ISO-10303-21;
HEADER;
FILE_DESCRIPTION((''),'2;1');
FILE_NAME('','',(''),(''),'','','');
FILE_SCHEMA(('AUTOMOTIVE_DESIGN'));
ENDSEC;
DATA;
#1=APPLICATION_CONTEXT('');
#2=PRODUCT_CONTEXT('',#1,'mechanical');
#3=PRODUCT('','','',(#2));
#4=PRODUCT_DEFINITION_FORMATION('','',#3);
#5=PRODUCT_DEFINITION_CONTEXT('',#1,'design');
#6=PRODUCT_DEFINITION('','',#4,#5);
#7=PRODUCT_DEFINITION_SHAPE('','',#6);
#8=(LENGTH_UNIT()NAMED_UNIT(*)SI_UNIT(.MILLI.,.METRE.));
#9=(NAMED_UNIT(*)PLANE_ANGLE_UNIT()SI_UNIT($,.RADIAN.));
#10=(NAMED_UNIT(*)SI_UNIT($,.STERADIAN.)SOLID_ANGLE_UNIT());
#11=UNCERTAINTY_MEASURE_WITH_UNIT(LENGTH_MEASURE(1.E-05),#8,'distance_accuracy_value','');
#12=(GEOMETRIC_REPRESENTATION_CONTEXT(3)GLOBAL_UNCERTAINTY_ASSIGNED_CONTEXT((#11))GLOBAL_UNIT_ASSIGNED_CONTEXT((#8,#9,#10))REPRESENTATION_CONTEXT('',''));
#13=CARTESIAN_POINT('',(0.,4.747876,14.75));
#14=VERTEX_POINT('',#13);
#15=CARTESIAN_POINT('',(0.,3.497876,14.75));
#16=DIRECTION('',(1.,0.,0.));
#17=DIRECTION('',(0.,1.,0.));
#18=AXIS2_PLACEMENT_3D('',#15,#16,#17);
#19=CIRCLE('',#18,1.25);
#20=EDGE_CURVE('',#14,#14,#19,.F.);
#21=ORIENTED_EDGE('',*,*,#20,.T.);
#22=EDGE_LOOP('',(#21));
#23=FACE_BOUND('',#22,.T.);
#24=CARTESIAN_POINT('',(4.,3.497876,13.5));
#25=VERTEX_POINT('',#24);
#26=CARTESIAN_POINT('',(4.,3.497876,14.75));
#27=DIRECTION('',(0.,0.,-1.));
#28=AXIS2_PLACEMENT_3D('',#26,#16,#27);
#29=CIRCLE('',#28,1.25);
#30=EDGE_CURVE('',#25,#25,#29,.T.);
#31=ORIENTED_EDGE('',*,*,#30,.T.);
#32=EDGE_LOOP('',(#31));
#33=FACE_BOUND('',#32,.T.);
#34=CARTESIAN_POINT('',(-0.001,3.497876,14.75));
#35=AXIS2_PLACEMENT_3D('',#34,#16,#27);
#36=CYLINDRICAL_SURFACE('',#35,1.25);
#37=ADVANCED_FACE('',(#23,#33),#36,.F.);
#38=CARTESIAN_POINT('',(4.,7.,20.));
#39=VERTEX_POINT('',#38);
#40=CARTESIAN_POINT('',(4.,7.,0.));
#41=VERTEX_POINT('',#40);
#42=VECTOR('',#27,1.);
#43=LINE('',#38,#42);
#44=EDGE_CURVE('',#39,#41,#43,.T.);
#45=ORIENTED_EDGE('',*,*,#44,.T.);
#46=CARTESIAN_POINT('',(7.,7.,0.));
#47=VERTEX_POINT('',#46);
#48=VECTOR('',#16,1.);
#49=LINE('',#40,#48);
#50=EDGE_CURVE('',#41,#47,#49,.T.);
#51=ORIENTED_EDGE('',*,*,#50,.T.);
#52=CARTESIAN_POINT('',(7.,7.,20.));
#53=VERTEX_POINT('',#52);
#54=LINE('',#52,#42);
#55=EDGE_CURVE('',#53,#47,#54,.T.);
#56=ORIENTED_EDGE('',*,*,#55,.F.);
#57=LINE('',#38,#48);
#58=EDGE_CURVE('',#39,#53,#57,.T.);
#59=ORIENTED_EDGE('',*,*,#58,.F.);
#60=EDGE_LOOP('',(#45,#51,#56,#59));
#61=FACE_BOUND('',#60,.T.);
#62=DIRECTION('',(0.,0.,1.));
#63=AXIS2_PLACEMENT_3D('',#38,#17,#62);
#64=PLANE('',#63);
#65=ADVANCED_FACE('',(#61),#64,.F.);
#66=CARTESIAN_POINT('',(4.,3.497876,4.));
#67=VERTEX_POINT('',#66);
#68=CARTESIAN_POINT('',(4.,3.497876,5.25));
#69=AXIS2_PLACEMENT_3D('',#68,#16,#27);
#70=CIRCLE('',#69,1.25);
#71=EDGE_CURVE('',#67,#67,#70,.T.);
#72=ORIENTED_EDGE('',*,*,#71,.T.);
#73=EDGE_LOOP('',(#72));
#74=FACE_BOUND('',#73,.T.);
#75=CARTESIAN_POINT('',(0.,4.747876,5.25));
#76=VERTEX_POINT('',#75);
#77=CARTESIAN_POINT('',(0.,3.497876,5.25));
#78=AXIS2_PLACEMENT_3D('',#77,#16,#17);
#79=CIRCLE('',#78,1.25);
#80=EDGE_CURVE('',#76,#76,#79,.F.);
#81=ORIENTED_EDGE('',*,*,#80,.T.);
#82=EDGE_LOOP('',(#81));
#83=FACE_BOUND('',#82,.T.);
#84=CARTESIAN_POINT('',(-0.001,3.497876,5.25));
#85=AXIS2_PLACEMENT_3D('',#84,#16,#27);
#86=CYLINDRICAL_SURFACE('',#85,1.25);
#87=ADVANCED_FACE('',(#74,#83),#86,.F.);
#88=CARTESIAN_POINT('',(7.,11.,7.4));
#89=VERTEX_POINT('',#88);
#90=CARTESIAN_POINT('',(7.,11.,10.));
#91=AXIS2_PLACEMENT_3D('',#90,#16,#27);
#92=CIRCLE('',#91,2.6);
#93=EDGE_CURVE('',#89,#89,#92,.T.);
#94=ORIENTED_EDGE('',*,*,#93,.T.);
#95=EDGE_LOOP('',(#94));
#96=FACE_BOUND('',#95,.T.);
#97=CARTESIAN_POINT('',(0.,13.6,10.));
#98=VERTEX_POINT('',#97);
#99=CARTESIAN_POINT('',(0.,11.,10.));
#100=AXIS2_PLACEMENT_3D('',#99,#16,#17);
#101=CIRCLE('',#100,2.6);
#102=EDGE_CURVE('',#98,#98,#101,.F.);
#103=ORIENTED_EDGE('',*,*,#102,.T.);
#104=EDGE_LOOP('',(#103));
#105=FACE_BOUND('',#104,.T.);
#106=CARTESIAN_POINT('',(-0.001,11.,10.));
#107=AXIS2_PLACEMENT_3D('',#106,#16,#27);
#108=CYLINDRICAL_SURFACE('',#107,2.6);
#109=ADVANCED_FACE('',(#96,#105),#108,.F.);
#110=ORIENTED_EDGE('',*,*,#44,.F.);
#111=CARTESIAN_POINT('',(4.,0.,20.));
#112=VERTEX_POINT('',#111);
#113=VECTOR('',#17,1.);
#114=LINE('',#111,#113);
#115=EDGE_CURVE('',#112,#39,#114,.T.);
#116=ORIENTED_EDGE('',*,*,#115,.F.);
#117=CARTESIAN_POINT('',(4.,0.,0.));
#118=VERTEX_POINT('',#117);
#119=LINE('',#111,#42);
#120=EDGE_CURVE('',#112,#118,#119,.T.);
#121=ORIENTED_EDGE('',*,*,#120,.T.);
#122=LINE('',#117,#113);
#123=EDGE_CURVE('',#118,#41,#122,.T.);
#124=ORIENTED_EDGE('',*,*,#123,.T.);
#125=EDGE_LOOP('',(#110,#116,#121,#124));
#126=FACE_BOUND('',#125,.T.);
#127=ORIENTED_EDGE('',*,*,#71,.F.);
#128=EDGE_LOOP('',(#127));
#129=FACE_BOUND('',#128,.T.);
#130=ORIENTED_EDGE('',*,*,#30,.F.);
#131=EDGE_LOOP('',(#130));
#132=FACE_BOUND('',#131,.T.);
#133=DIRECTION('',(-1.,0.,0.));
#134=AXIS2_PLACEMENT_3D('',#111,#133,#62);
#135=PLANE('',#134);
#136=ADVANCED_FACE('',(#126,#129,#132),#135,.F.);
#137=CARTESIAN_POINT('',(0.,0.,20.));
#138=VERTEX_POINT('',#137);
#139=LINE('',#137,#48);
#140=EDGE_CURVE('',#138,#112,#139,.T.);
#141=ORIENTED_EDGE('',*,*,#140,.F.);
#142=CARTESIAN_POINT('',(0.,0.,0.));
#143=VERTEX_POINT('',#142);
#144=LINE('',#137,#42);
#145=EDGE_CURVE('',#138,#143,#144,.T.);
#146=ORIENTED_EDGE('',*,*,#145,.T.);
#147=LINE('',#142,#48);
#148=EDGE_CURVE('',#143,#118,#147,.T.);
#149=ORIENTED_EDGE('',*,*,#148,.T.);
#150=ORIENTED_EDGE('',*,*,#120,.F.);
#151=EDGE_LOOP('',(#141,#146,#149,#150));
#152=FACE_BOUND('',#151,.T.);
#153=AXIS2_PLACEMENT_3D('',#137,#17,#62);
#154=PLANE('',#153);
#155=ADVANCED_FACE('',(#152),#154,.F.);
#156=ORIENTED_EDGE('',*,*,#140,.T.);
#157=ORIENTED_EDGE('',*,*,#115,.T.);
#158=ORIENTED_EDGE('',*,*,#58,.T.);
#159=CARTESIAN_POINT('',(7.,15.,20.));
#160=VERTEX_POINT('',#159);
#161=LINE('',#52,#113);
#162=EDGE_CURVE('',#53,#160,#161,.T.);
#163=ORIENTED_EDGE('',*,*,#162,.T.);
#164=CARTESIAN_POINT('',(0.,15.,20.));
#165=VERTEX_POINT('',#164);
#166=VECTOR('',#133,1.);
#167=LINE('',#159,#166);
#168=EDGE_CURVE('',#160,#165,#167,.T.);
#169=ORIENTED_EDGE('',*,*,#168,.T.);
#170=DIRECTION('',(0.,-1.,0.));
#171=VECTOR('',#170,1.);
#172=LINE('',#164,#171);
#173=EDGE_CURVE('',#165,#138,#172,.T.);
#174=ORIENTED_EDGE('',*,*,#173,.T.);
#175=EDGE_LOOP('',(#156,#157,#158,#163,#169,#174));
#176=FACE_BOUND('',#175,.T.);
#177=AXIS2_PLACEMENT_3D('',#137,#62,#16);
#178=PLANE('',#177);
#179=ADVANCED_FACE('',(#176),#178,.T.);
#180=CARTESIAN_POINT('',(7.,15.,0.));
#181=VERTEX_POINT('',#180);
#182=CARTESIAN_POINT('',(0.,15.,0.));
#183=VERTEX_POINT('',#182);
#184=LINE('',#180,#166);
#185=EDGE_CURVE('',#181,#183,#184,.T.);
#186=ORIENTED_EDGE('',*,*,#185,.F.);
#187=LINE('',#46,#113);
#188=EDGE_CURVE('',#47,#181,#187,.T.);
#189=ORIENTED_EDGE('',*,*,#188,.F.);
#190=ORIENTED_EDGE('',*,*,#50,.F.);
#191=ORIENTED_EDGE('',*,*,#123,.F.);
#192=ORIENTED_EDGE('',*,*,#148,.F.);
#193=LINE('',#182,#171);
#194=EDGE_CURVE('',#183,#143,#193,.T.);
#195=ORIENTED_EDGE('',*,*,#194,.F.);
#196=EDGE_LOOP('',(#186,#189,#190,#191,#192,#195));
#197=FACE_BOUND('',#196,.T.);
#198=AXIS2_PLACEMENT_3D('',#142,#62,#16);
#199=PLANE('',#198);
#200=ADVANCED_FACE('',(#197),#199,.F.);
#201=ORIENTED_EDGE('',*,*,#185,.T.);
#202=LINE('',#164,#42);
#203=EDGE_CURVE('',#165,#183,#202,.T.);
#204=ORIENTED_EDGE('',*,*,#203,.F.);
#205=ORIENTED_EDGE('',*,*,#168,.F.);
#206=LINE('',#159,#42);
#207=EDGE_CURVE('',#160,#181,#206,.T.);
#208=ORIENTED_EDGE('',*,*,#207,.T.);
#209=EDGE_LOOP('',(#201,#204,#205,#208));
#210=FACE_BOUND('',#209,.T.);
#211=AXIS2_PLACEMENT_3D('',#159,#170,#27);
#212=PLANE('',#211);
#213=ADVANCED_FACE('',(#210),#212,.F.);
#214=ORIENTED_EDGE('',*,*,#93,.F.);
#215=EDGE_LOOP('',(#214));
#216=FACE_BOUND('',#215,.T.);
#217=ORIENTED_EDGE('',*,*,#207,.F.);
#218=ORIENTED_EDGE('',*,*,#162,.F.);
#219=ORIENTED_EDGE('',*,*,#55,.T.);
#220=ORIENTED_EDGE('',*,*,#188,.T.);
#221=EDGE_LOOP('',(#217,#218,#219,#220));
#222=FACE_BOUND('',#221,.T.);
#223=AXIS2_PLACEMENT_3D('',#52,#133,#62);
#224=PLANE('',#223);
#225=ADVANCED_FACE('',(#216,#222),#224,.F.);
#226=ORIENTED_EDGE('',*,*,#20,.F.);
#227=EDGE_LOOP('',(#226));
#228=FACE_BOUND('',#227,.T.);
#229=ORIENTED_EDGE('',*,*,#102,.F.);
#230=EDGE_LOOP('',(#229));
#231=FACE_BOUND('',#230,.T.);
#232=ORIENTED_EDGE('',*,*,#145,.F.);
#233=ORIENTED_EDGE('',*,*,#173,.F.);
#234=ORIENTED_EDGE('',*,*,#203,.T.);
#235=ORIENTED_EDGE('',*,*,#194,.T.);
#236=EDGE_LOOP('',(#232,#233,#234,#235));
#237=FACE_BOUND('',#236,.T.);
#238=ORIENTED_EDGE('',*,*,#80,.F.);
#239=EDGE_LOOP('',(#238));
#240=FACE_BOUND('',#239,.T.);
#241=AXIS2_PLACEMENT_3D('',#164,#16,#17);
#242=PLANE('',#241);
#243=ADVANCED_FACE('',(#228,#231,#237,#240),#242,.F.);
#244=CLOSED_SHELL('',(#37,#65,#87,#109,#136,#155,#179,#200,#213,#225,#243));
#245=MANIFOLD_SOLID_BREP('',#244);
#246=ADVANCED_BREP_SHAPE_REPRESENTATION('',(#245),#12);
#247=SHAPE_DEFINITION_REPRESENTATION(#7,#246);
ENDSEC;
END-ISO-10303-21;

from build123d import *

# Parameters (mm, degrees)
BOSS_EXTRUDE1_DEPTH = 20
CUT_EXTRUDE1_REACH  = 9
SKETCH2_R           = 2.6
CUT_EXTRUDE2_REACH  = 6
SKETCH3_R           = 1.25


with BuildPart() as part:
    # Sketch1 → Boss-Extrude1 (new body)
    with BuildSketch(Plane.XY):
        Polygon((7, 15), (0, 15), (0, 0), (4, 0), (4, 7), (7, 7), align=None)
    extrude(amount=BOSS_EXTRUDE1_DEPTH)

    # Sketch2 → Cut-Extrude1 (cut, up to next)
    with BuildSketch(Plane(origin=(7, 0, 0), x_dir=(0, 0, -1), z_dir=(1, 0, 0)), mode=Mode.PRIVATE) as cut_extrude1_sk1:
        with Locations((-10, 11)):
            Circle(SKETCH2_R)
    cut_extrude1_tool1 = extrude(cut_extrude1_sk1.sketch, amount=-CUT_EXTRUDE1_REACH, mode=Mode.PRIVATE) & part.part
    add(cut_extrude1_tool1.solids().sort_by_distance((7, 11, 10))[0], mode=Mode.SUBTRACT)

    # Sketch3 → Cut-Extrude2 (cut, up to next)
    with BuildSketch(Plane(origin=(4, 0, 0), x_dir=(0, 0, -1), z_dir=(1, 0, 0)), mode=Mode.PRIVATE) as cut_extrude2_sk1:
        with Locations((-14.75, 3.497875885)):
            Circle(SKETCH3_R)
    cut_extrude2_tool1 = extrude(cut_extrude2_sk1.sketch, amount=-CUT_EXTRUDE2_REACH, mode=Mode.PRIVATE) & part.part
    add(cut_extrude2_tool1.solids().sort_by_distance((4, 3.497876, 14.75))[0], mode=Mode.SUBTRACT)
    # Sketch3 → Cut-Extrude2 (cut, up to next)
    with BuildSketch(Plane(origin=(4, 0, 0), x_dir=(0, 0, -1), z_dir=(1, 0, 0)), mode=Mode.PRIVATE) as cut_extrude2_sk2:
        with Locations((-5.25, 3.497875885)):
            Circle(SKETCH3_R)
    cut_extrude2_tool2 = extrude(cut_extrude2_sk2.sketch, amount=-CUT_EXTRUDE2_REACH, mode=Mode.PRIVATE) & part.part
    add(cut_extrude2_tool2.solids().sort_by_distance((4, 3.497876, 5.25))[0], mode=Mode.SUBTRACT)


solid = part.part
